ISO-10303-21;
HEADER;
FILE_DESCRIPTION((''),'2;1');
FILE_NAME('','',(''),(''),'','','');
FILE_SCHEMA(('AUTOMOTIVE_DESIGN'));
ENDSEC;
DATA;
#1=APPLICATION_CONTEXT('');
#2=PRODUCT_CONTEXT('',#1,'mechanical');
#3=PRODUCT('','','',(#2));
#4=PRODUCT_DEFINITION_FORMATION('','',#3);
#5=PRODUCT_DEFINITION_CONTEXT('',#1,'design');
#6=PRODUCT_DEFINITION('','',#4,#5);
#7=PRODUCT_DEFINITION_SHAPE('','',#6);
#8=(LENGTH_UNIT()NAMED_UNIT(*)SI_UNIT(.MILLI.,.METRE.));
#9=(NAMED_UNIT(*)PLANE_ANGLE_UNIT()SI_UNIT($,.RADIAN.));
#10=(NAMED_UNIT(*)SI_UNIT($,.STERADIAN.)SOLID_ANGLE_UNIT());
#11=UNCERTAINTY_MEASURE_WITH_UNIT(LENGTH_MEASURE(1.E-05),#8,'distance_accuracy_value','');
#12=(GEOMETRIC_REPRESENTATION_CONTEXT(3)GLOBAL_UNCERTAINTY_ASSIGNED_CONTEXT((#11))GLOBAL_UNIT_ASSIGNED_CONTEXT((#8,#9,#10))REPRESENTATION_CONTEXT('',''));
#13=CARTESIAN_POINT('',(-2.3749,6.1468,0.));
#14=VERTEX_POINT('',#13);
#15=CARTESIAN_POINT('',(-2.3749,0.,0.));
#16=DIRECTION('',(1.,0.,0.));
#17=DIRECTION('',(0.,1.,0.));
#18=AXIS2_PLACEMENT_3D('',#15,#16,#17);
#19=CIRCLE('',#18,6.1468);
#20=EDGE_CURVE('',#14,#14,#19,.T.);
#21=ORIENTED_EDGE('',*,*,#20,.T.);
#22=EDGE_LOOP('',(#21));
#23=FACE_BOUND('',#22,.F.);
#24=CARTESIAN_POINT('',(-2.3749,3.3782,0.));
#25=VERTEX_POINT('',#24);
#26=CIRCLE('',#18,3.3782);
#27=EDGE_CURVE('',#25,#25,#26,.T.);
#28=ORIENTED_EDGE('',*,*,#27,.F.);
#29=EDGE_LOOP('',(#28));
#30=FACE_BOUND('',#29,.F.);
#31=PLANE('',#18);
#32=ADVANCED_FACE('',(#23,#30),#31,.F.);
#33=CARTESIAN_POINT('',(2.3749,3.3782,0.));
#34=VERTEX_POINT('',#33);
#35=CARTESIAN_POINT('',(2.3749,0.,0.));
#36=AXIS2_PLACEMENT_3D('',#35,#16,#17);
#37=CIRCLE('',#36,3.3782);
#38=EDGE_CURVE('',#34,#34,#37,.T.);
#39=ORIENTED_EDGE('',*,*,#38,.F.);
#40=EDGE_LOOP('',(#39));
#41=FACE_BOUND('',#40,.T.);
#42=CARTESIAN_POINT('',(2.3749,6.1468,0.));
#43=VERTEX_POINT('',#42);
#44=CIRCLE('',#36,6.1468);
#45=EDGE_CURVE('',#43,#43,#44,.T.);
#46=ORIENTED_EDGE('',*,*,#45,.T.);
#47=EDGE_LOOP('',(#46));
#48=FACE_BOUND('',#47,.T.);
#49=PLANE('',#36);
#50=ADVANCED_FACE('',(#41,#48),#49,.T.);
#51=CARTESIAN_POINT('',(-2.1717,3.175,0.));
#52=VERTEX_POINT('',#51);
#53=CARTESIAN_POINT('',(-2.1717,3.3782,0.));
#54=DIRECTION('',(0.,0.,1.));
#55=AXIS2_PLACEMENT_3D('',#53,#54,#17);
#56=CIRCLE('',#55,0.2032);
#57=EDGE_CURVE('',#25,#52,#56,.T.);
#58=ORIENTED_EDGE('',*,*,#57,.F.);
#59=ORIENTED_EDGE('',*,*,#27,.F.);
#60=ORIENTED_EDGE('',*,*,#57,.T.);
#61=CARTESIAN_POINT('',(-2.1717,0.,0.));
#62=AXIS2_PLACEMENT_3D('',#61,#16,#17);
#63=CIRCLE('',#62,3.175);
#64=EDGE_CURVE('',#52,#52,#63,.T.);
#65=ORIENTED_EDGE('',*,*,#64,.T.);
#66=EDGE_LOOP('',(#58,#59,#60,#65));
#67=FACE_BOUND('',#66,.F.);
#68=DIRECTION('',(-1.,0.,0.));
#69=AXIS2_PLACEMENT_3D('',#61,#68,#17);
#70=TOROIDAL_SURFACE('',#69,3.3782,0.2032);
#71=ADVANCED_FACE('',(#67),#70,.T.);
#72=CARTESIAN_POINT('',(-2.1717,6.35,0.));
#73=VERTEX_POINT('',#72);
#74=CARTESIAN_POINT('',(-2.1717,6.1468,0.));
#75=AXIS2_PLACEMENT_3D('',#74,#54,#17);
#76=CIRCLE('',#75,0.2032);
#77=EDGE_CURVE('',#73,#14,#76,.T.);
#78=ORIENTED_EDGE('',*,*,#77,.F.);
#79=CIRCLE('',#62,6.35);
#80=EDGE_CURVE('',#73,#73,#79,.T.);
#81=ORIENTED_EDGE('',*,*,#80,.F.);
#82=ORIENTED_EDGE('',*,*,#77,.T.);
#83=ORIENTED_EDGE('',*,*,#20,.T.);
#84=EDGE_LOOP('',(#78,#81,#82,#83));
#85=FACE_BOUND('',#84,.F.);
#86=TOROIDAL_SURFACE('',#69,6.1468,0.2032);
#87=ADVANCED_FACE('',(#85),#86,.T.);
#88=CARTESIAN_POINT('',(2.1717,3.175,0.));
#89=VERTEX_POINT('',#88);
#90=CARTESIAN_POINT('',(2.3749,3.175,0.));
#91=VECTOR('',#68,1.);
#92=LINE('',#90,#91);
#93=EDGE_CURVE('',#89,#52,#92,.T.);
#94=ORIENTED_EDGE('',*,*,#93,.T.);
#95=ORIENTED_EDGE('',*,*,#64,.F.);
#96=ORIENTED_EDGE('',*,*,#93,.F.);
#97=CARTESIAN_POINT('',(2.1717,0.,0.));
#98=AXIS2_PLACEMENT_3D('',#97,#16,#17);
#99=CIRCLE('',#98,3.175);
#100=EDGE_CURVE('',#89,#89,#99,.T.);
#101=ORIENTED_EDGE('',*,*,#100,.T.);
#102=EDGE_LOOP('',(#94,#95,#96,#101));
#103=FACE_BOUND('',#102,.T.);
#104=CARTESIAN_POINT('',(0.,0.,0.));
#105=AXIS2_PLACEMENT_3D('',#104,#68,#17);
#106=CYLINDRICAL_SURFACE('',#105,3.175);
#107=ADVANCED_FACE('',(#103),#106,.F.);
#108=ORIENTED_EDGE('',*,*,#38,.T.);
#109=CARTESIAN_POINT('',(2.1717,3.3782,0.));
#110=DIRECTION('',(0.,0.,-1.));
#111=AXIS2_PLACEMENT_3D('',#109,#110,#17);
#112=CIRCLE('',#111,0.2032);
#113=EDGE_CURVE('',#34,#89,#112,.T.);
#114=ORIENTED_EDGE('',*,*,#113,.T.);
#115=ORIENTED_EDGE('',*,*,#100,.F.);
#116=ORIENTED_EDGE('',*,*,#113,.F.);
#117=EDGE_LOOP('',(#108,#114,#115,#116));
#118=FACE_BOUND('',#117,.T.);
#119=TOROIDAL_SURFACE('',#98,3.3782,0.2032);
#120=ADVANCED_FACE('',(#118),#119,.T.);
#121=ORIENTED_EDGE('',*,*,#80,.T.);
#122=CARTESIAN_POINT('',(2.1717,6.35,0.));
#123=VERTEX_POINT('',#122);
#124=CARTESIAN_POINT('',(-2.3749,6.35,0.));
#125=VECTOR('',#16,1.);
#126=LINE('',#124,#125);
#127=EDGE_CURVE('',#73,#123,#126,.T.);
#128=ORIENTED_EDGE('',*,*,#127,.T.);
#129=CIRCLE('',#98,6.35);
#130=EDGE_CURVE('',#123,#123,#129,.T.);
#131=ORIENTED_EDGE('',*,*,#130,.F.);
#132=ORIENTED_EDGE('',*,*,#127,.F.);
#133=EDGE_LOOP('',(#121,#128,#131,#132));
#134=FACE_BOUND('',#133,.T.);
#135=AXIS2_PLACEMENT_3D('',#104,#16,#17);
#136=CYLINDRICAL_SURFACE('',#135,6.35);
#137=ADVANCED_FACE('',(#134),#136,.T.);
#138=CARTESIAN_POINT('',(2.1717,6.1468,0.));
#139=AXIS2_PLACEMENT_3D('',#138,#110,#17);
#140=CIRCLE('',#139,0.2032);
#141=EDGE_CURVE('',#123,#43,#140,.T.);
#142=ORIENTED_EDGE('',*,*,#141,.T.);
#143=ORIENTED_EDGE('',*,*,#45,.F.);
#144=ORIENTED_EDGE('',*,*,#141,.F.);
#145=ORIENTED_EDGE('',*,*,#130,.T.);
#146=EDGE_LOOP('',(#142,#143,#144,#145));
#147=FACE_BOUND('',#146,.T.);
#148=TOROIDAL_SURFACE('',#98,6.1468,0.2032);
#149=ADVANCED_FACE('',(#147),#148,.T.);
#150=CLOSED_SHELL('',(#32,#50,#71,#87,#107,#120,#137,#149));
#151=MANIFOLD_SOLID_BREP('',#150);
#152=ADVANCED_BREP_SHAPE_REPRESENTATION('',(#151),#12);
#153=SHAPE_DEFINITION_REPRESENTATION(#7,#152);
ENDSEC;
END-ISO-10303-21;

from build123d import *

# Parameters (mm, degrees)
F0_R     = 6.35
F0_R_2   = 3.175
F1_DEPTH = 2.3749
F2_R     = 0.2032
F3_R     = 0.2032
F4_R     = 0.2032
F5_R     = 0.2032


with BuildPart() as f1:
    # F0 (on Right) → F1 (new body, symmetric)
    with BuildSketch(Plane.YZ):
        Circle(F0_R)
        Circle(F0_R_2, mode=Mode.SUBTRACT)
    extrude(amount=F1_DEPTH, both=True)

    # F2
    f2_edges = [f1.edges().sort_by_distance(p)[0] for p in [
        (2.3749, -6.35, 0),
    ]]
    fillet(f2_edges, radius=F2_R)

    # F3
    f3_edges = [f1.edges().sort_by_distance(p)[0] for p in [
        (2.3749, -3.175, 0),
    ]]
    fillet(f3_edges, radius=F3_R)

    # F4
    f4_edges = [f1.edges().sort_by_distance(p)[0] for p in [
        (-2.3749, -6.35, 0),
    ]]
    fillet(f4_edges, radius=F4_R)

    # F5
    f5_edges = [f1.edges().sort_by_distance(p)[0] for p in [
        (-2.3749, -3.175, 0),
    ]]
    fillet(f5_edges, radius=F5_R)


solid = f1.part
